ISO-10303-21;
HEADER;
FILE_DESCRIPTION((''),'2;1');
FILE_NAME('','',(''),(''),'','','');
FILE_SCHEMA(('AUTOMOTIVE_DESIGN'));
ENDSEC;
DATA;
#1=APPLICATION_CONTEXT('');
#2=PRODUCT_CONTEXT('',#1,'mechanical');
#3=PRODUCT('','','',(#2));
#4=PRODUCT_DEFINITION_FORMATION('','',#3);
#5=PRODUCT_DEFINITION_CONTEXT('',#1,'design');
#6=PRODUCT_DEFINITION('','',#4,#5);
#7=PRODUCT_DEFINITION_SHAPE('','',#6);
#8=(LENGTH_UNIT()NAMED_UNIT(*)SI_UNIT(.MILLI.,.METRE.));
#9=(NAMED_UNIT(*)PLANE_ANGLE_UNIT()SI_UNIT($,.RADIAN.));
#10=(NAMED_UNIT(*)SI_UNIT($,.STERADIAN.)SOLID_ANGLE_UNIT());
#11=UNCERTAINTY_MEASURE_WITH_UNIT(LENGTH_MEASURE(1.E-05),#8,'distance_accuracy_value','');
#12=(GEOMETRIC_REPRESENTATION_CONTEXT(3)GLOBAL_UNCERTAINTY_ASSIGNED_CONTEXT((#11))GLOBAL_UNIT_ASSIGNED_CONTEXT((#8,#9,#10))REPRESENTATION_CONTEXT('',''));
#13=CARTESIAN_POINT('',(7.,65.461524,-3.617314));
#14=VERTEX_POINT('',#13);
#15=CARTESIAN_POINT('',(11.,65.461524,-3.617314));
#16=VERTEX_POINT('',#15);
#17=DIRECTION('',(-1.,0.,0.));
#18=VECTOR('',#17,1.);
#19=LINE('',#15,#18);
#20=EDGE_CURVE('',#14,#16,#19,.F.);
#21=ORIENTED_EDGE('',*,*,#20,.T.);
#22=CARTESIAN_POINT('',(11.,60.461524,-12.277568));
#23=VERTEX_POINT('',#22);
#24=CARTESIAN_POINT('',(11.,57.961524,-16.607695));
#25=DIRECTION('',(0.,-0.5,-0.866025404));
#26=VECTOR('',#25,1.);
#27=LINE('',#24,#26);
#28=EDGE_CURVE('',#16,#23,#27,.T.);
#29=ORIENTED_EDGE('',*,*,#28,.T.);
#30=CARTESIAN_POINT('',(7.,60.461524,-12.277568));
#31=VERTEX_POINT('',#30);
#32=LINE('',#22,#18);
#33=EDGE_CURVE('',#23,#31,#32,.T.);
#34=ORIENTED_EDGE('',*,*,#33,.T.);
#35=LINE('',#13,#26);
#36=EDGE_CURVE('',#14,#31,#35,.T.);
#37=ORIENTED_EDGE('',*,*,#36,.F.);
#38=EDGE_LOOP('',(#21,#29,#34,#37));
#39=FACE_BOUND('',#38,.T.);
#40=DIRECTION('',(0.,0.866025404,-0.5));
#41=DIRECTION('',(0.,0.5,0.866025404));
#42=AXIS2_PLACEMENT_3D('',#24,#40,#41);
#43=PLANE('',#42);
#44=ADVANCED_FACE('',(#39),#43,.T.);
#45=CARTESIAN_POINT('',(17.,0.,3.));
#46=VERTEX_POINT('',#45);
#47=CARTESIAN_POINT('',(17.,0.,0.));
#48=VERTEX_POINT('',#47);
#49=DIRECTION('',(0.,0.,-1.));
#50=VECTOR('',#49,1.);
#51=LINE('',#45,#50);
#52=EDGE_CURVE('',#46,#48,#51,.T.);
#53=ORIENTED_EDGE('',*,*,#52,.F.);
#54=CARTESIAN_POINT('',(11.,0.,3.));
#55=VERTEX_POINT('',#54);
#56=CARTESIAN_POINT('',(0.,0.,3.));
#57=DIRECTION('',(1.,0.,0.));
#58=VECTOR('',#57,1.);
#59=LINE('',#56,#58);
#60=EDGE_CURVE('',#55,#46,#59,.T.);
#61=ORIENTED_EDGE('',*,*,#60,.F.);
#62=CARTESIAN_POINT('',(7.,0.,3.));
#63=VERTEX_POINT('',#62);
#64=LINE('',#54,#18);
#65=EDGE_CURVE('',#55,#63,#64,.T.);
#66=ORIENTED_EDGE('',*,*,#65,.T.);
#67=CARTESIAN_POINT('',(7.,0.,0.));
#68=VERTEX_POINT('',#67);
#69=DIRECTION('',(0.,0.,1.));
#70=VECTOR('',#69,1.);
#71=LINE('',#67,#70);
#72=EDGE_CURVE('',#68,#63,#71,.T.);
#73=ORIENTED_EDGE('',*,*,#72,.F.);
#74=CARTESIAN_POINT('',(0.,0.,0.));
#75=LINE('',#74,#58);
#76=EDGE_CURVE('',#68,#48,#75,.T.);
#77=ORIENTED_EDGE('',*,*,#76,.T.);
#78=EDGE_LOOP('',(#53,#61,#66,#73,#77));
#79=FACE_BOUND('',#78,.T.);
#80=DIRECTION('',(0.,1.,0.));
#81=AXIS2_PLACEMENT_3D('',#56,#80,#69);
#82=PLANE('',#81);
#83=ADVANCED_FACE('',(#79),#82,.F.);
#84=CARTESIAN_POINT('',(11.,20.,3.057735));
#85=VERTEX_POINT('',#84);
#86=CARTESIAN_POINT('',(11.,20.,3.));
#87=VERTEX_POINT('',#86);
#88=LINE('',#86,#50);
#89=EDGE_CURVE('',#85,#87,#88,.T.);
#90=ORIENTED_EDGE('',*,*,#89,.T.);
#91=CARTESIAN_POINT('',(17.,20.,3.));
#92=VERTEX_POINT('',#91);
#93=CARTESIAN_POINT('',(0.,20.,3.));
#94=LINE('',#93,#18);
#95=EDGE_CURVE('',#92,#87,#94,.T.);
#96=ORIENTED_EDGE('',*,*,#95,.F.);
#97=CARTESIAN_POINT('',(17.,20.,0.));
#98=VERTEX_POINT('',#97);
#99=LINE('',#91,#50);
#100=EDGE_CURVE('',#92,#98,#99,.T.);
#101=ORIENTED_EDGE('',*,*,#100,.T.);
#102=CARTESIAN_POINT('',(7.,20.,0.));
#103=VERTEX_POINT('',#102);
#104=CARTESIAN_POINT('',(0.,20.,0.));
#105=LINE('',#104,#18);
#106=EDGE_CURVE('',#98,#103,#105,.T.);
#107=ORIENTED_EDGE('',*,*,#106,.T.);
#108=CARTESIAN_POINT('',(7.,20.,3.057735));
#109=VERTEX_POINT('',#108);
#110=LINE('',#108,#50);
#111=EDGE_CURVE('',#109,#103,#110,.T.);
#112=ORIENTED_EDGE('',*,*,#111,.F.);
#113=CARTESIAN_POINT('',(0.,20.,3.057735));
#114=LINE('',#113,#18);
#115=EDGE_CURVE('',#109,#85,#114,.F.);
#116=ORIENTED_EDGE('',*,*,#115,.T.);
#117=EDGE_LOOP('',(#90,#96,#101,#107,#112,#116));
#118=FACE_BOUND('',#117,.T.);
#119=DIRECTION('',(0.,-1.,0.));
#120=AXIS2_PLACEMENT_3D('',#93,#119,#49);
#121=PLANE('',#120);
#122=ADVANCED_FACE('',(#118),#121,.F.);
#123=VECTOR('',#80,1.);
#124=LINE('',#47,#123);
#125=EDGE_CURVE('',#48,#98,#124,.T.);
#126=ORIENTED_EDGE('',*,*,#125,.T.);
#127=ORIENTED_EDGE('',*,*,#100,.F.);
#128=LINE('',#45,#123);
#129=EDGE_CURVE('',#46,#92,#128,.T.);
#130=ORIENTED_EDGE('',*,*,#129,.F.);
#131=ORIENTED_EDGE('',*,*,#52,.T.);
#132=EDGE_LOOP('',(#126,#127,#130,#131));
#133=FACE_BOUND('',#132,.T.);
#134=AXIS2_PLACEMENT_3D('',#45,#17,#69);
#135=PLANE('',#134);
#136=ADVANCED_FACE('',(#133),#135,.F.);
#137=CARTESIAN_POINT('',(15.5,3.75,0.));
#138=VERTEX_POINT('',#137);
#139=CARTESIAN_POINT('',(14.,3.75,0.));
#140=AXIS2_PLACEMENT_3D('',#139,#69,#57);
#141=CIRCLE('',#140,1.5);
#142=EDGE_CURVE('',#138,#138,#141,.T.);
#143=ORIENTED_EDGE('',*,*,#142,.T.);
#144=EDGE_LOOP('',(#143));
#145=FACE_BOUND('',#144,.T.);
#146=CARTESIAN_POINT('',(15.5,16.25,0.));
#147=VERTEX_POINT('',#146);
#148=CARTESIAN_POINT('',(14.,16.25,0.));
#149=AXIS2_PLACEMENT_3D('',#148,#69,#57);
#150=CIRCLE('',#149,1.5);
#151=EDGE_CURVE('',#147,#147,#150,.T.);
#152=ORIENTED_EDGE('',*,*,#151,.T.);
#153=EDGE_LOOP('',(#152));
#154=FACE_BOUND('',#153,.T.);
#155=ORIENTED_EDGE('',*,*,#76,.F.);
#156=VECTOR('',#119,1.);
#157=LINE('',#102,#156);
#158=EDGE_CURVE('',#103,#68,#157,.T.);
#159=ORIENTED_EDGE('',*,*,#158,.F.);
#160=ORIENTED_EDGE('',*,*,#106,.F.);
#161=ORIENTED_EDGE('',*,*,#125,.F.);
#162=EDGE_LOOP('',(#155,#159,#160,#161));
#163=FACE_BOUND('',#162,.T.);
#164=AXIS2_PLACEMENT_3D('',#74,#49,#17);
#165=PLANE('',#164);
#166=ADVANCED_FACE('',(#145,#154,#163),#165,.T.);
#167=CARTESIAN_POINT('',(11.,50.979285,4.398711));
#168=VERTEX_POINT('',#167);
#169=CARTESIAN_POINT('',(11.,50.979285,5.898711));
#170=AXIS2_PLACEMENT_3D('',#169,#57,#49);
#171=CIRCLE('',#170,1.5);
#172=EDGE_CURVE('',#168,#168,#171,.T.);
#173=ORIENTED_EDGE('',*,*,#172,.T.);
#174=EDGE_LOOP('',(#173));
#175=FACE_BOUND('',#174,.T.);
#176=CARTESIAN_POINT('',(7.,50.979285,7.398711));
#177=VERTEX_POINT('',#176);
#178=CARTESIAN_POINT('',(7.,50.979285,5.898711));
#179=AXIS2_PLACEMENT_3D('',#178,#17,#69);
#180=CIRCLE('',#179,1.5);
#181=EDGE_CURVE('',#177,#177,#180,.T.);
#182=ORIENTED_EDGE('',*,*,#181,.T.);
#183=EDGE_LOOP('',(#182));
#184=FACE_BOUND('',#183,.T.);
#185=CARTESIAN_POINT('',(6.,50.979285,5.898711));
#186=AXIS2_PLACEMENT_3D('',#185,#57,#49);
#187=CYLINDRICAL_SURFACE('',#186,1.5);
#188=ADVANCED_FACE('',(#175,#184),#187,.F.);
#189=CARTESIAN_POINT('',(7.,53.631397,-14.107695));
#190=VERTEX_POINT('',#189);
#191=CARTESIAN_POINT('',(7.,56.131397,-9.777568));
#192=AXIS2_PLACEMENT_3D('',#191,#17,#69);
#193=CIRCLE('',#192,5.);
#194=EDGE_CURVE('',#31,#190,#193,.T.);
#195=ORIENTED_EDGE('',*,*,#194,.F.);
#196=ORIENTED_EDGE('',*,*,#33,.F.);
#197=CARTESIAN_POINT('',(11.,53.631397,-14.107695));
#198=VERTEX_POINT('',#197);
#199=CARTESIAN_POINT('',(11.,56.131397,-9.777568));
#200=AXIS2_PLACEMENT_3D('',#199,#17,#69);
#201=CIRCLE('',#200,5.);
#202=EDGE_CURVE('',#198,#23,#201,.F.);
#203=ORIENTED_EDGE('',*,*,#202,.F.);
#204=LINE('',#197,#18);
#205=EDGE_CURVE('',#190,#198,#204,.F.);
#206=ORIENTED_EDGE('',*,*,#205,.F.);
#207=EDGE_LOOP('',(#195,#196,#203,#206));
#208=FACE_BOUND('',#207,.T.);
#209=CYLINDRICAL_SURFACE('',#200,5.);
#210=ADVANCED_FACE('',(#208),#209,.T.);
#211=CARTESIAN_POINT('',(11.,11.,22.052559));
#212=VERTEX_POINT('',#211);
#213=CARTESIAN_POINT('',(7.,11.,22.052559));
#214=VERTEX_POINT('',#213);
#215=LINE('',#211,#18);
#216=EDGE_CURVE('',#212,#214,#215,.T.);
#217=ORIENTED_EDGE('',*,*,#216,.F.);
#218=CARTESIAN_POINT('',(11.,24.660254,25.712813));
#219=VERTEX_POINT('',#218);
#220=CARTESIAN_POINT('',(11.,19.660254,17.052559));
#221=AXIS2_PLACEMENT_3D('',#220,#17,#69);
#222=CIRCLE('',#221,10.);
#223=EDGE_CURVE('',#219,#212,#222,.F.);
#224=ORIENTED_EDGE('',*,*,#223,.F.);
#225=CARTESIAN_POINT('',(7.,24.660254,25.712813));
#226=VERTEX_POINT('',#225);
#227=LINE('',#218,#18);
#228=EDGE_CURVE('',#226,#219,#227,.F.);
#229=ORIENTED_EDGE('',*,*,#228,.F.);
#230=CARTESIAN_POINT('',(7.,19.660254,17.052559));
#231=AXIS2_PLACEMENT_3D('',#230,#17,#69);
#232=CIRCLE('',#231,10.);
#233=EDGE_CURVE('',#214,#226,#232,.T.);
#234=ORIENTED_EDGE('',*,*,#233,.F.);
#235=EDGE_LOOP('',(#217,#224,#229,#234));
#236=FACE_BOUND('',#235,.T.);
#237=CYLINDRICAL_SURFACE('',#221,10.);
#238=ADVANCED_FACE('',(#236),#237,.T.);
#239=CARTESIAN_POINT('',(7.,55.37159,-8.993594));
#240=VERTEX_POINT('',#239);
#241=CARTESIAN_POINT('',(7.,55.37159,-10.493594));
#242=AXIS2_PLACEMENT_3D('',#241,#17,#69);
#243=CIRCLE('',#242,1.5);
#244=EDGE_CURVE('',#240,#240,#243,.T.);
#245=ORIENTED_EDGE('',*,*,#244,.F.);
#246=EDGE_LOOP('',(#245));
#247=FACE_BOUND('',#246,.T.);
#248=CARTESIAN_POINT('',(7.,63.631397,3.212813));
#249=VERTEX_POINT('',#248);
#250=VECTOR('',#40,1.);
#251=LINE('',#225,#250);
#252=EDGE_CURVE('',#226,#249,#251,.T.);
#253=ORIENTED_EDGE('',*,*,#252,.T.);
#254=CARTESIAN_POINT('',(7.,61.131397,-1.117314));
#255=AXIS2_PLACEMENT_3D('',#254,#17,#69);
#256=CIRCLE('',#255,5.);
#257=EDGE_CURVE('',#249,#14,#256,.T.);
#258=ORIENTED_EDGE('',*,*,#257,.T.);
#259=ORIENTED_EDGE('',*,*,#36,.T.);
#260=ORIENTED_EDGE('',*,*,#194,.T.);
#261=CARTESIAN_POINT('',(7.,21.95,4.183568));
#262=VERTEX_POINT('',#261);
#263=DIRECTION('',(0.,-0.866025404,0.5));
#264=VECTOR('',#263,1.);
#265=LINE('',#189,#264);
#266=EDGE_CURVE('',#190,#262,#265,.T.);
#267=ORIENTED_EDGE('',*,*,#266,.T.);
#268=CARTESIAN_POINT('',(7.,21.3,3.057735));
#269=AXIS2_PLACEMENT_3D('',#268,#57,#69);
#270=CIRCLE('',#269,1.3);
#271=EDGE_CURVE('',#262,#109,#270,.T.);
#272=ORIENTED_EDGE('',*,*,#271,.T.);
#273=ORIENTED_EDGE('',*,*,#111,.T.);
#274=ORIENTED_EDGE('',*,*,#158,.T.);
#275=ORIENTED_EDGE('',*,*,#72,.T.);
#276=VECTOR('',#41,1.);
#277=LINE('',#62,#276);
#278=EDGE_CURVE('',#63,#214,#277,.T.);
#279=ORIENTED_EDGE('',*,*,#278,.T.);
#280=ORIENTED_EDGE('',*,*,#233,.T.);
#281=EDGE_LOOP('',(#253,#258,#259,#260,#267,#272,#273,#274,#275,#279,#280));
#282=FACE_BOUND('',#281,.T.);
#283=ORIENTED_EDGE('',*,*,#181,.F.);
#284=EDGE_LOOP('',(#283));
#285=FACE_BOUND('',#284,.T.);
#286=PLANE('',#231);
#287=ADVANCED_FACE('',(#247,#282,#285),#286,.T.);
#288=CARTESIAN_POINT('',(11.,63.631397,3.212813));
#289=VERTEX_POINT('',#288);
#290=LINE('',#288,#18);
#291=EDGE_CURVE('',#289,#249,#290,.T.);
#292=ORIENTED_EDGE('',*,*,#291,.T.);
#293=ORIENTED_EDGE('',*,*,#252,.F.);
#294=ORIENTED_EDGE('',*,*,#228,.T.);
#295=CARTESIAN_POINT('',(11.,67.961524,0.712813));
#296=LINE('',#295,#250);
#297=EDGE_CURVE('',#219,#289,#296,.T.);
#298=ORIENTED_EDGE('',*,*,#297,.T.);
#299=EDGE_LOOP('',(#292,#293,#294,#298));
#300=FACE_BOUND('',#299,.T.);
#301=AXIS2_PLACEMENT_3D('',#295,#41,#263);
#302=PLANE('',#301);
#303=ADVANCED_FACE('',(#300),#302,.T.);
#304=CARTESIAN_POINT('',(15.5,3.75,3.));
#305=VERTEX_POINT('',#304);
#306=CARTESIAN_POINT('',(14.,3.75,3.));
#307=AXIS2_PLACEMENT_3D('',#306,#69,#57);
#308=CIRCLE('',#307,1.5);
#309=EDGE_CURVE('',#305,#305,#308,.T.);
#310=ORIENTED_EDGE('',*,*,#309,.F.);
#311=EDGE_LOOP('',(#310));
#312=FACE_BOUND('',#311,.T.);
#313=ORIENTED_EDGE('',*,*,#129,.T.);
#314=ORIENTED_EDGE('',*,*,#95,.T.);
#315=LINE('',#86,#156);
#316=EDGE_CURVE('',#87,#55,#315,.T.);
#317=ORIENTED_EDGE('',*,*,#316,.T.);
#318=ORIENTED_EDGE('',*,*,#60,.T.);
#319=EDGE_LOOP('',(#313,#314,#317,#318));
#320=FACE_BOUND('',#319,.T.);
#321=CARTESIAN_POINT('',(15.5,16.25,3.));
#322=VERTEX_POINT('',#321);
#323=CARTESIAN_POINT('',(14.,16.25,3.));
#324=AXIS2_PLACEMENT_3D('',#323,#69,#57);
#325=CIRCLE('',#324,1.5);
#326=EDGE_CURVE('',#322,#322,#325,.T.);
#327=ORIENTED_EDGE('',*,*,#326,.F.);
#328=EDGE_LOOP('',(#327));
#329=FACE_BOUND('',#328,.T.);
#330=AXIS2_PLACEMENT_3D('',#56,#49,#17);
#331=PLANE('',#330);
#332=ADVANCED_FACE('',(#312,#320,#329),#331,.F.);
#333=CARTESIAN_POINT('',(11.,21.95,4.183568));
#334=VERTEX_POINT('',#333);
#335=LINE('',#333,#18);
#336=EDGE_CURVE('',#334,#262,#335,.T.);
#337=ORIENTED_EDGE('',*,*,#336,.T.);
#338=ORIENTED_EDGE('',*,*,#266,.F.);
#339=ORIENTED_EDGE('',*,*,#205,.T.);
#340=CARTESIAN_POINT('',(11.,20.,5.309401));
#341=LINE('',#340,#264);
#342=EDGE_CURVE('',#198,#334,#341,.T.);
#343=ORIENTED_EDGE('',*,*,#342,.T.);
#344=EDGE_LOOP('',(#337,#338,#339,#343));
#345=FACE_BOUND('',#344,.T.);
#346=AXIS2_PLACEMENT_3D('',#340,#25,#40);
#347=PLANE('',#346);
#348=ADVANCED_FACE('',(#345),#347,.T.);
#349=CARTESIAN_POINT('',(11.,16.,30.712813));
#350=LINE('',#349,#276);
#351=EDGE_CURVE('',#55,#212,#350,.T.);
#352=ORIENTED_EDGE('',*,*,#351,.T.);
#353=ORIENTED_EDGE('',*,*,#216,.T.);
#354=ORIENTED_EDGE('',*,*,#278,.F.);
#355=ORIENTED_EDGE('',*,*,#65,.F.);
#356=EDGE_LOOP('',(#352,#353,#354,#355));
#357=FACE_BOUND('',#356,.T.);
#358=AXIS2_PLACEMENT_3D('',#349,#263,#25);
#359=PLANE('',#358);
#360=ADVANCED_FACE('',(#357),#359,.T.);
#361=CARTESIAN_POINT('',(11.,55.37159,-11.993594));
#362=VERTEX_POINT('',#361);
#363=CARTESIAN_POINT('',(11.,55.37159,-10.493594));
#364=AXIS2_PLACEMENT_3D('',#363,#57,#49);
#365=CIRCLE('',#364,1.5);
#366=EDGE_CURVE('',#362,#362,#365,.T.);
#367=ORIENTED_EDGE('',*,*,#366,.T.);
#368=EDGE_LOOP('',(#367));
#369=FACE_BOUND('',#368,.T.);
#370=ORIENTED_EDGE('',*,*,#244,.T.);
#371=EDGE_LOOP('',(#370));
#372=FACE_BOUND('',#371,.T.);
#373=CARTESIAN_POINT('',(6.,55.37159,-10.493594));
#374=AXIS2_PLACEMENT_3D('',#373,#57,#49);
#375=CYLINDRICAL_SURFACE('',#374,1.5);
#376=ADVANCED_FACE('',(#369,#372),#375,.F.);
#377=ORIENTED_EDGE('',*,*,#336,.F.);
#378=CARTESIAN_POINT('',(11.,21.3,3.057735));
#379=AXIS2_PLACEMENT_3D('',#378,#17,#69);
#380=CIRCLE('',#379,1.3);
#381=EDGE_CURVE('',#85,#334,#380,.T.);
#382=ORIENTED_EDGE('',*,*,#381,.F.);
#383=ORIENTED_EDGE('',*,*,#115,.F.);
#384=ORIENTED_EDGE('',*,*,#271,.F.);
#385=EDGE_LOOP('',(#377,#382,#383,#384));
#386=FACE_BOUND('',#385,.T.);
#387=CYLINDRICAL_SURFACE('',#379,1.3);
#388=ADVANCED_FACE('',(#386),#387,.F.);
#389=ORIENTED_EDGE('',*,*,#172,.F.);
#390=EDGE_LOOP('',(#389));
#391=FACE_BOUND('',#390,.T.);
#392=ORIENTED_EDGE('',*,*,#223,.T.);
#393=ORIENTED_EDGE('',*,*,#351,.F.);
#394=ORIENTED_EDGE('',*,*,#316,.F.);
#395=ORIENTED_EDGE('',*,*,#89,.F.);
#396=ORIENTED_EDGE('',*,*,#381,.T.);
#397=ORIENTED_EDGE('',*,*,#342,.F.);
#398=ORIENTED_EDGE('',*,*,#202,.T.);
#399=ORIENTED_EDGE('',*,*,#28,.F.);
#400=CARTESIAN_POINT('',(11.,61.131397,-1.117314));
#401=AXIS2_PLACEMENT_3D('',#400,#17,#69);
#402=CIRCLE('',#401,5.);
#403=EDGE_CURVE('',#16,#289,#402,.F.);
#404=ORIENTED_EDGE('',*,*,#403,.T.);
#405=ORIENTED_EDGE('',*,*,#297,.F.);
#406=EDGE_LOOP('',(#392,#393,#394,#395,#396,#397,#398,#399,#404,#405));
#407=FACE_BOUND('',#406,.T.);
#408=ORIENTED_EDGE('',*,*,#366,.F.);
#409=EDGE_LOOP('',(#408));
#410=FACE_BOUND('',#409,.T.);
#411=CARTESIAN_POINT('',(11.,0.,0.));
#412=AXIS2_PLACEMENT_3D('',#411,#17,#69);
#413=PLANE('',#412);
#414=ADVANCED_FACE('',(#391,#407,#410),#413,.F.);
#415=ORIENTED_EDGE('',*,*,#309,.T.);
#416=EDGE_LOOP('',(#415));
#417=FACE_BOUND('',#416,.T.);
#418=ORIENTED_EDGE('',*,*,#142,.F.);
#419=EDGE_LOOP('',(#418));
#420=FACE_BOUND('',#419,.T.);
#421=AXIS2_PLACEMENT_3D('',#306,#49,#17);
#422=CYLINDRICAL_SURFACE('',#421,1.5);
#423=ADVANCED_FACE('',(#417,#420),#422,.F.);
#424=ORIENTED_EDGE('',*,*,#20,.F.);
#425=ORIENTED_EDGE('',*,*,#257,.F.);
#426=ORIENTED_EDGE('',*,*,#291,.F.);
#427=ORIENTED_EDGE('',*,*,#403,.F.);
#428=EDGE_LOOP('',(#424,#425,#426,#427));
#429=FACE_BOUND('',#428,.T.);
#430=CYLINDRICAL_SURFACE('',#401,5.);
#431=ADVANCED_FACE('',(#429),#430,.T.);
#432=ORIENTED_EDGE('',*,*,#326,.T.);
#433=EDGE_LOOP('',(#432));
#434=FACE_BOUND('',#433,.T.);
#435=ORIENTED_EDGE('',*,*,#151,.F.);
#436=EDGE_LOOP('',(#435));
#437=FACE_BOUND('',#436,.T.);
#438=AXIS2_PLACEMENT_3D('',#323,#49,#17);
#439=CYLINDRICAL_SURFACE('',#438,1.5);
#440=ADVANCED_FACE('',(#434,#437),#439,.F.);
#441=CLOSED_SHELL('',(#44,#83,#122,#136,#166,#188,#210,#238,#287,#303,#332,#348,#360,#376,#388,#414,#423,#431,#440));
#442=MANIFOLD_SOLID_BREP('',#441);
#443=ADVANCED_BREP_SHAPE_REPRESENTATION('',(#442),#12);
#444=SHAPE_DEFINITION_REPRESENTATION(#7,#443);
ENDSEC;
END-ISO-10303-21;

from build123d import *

# Parameters (mm, degrees)
SKETCH_1_W          = 17
SKETCH_1_H          = 20
SKETCH_1_R          = 1.5
EXTRUDE_1_DEPTH     = 3
EXTRUDE_2_DEPTH     = 5
SKETCH_4_R          = 1.5
CUT_EXTRUDE_1_DEPTH = 5
FILLET_2_R          = 5
FILLET_3_R          = 1.3
FILLET_4_R          = 10
SKETCH_5_W          = 6
SKETCH_5_H          = 20
CUT_EXTRUDE_2_DEPTH = 10
SKETCH_6_R          = 1.5
CUT_EXTRUDE_3_DEPTH = 1


with BuildPart() as part:
    # 草图1 → 凸台-拉伸1 (new body)
    with BuildSketch(Plane.XY):
        with Locations((8.5, 10)):
            Rectangle(SKETCH_1_W, SKETCH_1_H)
        with Locations((3, 16.25)):
            Circle(SKETCH_1_R, mode=Mode.SUBTRACT)
        with Locations((14, 16.25)):
            Circle(SKETCH_1_R, mode=Mode.SUBTRACT)
        with Locations((14, 3.75)):
            Circle(SKETCH_1_R, mode=Mode.SUBTRACT)
        with Locations((3, 3.75)):
            Circle(SKETCH_1_R, mode=Mode.SUBTRACT)
    extrude(amount=EXTRUDE_1_DEPTH)

    # 草图3 → 凸台-拉伸2 (add)
    with BuildSketch(Plane.ZY.offset(-6)):
        Polygon((3, 20), (5.309401077, 20), (-16.607695155, 57.961524227), (0.712812921, 67.961524227), (30.712812921, 16), (3, 0), align=None)
    extrude(amount=-EXTRUDE_2_DEPTH)

    # 草图4 → 切除-拉伸1 (cut)
    with BuildSketch(Plane(origin=(11, 0, 0), x_dir=(0, 0, -1), z_dir=(1, 0, 0))):
        with Locations((-5.898711306, 50.979284742)):
            Circle(SKETCH_4_R)
        with Locations((10.493593539, 55.371589587)):
            Circle(SKETCH_4_R)
    extrude(amount=-CUT_EXTRUDE_1_DEPTH, mode=Mode.SUBTRACT)

    # 圆角2
    fillet_2_edges = [part.edges().sort_by_distance(p)[0] for p in [
        (8.5, 57.961524227, -16.607695155),
        (8.5, 67.961524227, 0.712812921),
    ]]
    fillet(fillet_2_edges, radius=FILLET_2_R)

    # 圆角3
    fillet_3_edges = [part.edges().sort_by_distance(p)[0] for p in [
        (8.5, 20, 5.309401077),
    ]]
    fillet(fillet_3_edges, radius=FILLET_3_R)

    # 圆角4
    fillet_4_edges = [part.edges().sort_by_distance(p)[0] for p in [
        (8.5, 16, 30.712812921),
    ]]
    fillet(fillet_4_edges, radius=FILLET_4_R)

    # 草图5 → 切除-拉伸2 (cut)
    with BuildSketch(Plane.XY.offset(3)):
        with Locations((3, 10)):
            Rectangle(SKETCH_5_W, SKETCH_5_H)
    extrude(amount=-CUT_EXTRUDE_2_DEPTH, mode=Mode.SUBTRACT)

    # 草图6 → 切除-拉伸3 (cut)
    with BuildSketch(Plane.ZY.offset(-6)):
        with BuildLine():
            Line((3, 0), (22.052558883, 11))
            ThreePointArc((22.052558883, 11), (26.711817146, 17.072063587), (25.712812921, 24.660254038))
            Line((25.712812921, 24.660254038), (3.212812921, 63.631397208))
            ThreePointArc((3.212812921, 63.631397208), (0.176781128, 65.96102634), (-3.617314098, 65.461524227))
            Line((-3.617314098, 65.461524227), (-12.277568136, 60.461524227))
            ThreePointArc((-12.277568136, 60.461524227), (-14.607197267, 57.425492434), (-14.107695155, 53.631397208))
            Line((-14.107695155, 53.631397208), (4.183568052, 21.95))
            ThreePointArc((4.183568052, 21.95), (4.183568052, 20.65), (3.057735027, 20))
            Line((3.057735027, 20), (0, 20))
            Line((0, 20), (0, 0))
            Line((0, 0), (3, 0))
        make_face()
        with Locations((5.898711306, 50.979284742)):
            Circle(SKETCH_6_R, mode=Mode.SUBTRACT)
        with Locations((-10.493593539, 55.371589587)):
            Circle(SKETCH_6_R, mode=Mode.SUBTRACT)
    extrude(amount=-CUT_EXTRUDE_3_DEPTH, mode=Mode.SUBTRACT)


solid = part.part
